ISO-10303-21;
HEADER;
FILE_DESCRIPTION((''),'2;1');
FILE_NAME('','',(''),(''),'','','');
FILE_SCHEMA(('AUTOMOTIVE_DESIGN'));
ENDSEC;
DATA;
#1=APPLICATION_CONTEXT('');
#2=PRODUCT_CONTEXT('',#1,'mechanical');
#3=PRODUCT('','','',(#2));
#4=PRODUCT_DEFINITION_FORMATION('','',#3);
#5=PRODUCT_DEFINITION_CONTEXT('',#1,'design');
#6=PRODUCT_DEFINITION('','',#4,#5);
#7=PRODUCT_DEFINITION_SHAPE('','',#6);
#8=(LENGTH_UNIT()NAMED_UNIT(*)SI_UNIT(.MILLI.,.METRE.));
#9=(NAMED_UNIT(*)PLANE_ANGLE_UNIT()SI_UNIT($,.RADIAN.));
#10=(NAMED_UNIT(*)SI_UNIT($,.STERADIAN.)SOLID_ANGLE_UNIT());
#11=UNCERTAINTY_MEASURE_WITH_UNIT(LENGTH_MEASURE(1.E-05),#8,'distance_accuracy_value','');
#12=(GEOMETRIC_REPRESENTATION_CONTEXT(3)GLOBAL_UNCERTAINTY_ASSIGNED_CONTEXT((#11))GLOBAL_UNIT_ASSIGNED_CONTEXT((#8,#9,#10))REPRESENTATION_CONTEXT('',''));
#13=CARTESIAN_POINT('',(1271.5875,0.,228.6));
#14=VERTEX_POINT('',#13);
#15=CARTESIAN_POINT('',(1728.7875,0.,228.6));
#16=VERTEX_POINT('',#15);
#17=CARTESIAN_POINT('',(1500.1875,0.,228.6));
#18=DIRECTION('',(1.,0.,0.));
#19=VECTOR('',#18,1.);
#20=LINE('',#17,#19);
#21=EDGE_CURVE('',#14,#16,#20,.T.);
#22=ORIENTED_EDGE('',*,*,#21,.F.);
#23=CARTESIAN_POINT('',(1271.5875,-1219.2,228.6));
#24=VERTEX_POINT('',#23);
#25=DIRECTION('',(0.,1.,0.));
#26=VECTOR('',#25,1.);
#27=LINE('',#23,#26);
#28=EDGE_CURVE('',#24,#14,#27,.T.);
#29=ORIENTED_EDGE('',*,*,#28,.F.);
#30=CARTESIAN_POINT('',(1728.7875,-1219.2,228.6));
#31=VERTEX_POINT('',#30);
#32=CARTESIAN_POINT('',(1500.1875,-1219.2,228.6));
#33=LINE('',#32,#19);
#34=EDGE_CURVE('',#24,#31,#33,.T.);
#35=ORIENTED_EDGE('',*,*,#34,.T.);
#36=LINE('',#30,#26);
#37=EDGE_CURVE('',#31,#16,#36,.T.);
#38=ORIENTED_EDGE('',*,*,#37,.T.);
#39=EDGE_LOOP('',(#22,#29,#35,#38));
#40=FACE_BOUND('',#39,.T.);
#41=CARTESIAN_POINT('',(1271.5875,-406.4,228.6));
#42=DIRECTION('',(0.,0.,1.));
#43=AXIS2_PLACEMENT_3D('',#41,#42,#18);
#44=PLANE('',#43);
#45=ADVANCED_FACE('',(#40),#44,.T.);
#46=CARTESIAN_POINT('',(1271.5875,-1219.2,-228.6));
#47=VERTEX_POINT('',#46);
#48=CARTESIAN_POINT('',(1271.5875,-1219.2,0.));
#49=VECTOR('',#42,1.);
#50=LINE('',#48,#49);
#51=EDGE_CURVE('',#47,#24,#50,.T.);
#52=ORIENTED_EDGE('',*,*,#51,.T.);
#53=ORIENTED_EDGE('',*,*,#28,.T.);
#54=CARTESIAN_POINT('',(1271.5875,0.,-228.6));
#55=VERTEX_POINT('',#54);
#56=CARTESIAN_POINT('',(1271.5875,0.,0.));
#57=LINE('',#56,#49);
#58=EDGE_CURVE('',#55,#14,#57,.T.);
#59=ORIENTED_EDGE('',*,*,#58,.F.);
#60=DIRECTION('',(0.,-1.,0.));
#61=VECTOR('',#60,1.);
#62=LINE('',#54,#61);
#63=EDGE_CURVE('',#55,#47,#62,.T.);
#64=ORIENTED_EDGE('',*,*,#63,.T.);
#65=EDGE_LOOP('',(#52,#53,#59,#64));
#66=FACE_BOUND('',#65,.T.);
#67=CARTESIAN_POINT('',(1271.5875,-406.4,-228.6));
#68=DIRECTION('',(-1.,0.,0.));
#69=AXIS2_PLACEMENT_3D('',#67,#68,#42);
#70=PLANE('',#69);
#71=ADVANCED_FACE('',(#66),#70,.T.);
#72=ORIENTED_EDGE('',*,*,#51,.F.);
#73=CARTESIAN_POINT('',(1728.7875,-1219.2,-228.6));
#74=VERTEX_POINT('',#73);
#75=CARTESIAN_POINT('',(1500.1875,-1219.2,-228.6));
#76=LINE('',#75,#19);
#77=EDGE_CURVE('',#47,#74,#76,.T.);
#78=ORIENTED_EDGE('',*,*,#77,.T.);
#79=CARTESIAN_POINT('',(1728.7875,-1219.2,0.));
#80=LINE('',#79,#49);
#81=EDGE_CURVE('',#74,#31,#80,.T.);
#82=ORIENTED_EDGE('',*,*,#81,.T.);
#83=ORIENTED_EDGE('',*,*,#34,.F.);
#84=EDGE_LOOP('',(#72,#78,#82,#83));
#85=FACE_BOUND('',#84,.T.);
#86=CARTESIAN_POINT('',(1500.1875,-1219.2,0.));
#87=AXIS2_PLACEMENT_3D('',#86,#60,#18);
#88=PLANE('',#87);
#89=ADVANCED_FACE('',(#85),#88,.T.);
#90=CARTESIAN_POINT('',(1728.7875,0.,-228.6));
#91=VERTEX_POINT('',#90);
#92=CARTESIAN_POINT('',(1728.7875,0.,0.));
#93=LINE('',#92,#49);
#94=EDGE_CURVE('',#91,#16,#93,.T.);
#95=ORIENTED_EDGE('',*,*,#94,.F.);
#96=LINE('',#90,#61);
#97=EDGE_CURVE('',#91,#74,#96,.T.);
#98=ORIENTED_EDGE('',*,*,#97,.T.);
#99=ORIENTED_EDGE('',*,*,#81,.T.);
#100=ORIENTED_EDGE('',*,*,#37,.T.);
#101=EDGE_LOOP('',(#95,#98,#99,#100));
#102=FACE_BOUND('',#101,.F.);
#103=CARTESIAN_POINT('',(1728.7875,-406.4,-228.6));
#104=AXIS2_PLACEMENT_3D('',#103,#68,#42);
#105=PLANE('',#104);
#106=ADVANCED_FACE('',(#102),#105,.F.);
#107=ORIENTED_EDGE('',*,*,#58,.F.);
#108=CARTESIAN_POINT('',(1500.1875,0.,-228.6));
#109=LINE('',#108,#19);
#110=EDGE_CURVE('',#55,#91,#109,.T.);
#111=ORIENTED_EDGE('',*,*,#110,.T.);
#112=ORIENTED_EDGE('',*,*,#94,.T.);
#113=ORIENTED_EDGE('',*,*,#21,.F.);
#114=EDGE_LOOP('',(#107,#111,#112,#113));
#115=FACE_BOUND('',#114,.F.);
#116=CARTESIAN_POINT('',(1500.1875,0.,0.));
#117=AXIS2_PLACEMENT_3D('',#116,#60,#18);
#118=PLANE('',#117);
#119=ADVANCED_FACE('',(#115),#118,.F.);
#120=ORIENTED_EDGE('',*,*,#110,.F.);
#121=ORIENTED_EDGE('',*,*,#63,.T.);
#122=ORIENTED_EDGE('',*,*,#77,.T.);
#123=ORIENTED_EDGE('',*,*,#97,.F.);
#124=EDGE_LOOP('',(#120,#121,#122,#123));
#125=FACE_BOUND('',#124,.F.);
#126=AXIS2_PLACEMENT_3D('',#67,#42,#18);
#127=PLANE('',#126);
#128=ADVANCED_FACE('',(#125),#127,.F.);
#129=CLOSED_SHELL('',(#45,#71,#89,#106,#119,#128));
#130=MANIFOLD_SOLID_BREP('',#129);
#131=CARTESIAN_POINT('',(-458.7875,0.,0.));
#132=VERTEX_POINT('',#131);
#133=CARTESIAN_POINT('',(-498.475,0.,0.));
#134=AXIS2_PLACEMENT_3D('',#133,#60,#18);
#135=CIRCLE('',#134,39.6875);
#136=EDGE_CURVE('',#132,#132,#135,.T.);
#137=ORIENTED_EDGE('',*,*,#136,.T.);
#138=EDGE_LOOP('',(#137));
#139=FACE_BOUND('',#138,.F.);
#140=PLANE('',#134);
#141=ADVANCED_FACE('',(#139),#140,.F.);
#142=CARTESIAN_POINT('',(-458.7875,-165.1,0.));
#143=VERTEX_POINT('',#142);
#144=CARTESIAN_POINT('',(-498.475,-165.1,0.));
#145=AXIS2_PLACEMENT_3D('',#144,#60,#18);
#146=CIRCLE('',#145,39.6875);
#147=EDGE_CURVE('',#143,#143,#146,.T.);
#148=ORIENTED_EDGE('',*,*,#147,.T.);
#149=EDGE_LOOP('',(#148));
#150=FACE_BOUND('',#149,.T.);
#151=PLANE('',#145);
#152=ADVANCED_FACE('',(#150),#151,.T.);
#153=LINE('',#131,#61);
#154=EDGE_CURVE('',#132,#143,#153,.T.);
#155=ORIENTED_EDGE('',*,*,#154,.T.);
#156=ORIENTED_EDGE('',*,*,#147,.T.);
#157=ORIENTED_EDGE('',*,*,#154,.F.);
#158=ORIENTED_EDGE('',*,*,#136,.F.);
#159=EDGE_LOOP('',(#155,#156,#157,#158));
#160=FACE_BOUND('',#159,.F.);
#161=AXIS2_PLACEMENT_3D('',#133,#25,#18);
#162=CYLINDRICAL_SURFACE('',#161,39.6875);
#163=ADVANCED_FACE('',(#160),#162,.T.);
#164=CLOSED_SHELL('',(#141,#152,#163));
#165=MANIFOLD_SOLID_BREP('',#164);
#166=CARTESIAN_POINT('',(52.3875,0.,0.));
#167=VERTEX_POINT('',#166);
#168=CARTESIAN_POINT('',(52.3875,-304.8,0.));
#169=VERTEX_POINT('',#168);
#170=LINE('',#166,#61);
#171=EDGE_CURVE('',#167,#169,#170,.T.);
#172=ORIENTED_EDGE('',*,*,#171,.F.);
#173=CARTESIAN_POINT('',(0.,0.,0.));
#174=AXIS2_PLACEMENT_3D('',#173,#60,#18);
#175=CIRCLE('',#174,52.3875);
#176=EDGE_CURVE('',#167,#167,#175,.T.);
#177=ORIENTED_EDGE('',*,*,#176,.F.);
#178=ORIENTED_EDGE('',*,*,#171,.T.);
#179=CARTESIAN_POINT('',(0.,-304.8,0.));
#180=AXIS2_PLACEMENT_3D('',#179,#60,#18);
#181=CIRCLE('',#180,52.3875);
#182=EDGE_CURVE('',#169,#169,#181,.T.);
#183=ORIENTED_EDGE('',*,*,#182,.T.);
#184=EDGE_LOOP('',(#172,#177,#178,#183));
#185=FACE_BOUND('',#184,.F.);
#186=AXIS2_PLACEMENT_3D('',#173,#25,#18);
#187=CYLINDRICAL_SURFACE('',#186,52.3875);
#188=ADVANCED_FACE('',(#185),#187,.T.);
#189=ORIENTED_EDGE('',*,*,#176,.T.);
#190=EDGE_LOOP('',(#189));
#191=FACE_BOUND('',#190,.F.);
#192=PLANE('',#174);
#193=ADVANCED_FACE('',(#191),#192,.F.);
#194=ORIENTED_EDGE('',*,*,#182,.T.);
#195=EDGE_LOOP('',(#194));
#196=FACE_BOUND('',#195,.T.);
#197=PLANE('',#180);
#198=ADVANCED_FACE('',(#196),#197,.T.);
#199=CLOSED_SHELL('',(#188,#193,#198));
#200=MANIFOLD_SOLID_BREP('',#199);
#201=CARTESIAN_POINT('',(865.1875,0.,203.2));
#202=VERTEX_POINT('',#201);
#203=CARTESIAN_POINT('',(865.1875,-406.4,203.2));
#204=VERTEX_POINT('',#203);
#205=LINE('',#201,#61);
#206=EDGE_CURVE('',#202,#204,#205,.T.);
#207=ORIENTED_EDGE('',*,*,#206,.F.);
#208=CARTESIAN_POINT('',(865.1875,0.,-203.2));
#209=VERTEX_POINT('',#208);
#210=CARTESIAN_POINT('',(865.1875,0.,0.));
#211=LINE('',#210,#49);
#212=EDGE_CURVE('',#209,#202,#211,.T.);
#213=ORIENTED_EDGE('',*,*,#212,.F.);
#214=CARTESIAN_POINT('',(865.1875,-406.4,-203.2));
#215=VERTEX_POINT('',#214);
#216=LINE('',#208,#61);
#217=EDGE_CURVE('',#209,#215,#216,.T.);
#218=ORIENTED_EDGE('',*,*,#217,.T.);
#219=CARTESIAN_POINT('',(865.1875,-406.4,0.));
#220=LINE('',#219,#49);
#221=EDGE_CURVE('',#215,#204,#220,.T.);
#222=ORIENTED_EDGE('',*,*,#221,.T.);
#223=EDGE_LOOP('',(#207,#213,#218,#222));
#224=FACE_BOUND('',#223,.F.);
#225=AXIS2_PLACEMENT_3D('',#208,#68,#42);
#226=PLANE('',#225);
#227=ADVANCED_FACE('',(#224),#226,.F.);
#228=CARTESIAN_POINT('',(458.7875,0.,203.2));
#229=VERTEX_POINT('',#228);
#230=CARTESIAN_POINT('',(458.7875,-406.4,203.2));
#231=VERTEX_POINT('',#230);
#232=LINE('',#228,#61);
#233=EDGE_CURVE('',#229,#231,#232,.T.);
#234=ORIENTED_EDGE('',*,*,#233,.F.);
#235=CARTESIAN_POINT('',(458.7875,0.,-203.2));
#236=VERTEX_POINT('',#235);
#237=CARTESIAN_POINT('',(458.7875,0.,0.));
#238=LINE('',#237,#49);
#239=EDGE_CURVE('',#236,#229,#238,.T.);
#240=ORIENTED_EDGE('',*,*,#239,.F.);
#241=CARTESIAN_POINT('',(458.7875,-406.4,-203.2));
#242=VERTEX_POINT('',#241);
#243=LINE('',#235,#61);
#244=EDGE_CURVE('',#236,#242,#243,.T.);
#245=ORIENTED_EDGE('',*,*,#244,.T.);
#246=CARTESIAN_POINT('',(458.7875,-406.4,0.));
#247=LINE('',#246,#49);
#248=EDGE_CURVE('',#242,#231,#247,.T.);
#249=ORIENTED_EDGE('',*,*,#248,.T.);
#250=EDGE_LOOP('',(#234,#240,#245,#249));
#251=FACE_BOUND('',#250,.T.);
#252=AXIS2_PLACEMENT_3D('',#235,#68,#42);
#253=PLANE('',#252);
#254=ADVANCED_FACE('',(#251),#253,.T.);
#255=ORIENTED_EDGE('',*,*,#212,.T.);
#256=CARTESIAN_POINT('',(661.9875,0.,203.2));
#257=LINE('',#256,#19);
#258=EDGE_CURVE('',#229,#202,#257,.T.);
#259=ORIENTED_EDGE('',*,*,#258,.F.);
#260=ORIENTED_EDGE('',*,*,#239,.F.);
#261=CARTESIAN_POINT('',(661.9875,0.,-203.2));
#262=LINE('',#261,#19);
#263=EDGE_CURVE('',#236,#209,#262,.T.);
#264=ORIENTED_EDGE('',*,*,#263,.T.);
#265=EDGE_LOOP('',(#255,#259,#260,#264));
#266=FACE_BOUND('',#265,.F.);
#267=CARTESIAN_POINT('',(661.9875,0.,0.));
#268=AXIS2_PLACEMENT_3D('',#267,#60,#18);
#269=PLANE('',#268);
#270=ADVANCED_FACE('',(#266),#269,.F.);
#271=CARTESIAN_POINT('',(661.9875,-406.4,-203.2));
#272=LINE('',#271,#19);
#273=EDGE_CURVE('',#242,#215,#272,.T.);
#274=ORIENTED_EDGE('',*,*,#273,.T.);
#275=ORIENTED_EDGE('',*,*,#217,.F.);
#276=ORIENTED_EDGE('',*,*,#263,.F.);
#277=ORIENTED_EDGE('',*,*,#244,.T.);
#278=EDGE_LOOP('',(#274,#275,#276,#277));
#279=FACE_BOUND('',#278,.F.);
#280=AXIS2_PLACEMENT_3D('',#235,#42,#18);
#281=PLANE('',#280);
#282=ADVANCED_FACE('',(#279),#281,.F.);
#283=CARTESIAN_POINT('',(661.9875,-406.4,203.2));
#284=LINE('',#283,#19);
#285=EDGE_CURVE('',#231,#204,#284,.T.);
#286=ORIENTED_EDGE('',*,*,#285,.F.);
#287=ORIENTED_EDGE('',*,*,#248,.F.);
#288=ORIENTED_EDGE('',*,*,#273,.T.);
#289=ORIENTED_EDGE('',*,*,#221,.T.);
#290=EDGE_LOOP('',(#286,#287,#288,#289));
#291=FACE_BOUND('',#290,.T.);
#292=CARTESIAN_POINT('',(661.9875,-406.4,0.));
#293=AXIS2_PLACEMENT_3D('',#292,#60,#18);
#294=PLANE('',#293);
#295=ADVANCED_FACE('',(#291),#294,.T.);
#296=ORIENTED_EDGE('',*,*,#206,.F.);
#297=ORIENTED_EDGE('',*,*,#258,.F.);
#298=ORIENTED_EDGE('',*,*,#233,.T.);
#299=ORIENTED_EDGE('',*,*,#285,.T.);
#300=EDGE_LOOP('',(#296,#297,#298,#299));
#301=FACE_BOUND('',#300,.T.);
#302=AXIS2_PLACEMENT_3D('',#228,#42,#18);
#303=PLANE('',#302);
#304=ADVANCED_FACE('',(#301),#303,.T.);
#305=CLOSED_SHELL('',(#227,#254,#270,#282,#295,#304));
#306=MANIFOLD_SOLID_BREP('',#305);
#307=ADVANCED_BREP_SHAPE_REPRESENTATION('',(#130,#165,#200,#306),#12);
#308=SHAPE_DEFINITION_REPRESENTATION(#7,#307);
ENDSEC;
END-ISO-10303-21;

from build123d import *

# Parameters (mm, degrees)
F0_R     = 52.3875
F1_DEPTH = 304.8
F2_R     = 39.6875
F3_DEPTH = 165.1
F4_W     = 406.4
F4_H     = 406.4
F4_W_2   = 457.2
F4_H_2   = 457.2
F5_DEPTH = 406.4
F6_W     = 457.2
F6_H     = 457.2
F7_DEPTH = 812.8


with BuildPart() as f1:
    # F0 (on Front) → F1 (new body)
    with BuildSketch(Plane.XZ):
        Circle(F0_R)
    extrude(amount=F1_DEPTH)


with BuildPart() as f3:
    # F2 (on Front) → F3 (new body)
    with BuildSketch(Plane.XZ):
        with Locations((-498.475, 0)):
            Circle(F2_R)
    extrude(amount=F3_DEPTH)


with BuildPart() as f5:
    # F4 (on Front) → F5 (new body)
    with BuildSketch(Plane.XZ):
        with Locations((661.9875, 0)):
            Rectangle(F4_W, F4_H)
        with Locations((1500.1875, 0)):
            Rectangle(F4_W_2, F4_H_2)
    extrude(amount=F5_DEPTH)

    # F6 (on face) → F7 (join)
    with BuildSketch(Plane.XZ.offset(406.4)):
        with Locations((1500.1875, 0)):
            Rectangle(F6_W, F6_H)
    extrude(amount=F7_DEPTH)


solid = Compound([f1.part, f3.part, f5.part])
